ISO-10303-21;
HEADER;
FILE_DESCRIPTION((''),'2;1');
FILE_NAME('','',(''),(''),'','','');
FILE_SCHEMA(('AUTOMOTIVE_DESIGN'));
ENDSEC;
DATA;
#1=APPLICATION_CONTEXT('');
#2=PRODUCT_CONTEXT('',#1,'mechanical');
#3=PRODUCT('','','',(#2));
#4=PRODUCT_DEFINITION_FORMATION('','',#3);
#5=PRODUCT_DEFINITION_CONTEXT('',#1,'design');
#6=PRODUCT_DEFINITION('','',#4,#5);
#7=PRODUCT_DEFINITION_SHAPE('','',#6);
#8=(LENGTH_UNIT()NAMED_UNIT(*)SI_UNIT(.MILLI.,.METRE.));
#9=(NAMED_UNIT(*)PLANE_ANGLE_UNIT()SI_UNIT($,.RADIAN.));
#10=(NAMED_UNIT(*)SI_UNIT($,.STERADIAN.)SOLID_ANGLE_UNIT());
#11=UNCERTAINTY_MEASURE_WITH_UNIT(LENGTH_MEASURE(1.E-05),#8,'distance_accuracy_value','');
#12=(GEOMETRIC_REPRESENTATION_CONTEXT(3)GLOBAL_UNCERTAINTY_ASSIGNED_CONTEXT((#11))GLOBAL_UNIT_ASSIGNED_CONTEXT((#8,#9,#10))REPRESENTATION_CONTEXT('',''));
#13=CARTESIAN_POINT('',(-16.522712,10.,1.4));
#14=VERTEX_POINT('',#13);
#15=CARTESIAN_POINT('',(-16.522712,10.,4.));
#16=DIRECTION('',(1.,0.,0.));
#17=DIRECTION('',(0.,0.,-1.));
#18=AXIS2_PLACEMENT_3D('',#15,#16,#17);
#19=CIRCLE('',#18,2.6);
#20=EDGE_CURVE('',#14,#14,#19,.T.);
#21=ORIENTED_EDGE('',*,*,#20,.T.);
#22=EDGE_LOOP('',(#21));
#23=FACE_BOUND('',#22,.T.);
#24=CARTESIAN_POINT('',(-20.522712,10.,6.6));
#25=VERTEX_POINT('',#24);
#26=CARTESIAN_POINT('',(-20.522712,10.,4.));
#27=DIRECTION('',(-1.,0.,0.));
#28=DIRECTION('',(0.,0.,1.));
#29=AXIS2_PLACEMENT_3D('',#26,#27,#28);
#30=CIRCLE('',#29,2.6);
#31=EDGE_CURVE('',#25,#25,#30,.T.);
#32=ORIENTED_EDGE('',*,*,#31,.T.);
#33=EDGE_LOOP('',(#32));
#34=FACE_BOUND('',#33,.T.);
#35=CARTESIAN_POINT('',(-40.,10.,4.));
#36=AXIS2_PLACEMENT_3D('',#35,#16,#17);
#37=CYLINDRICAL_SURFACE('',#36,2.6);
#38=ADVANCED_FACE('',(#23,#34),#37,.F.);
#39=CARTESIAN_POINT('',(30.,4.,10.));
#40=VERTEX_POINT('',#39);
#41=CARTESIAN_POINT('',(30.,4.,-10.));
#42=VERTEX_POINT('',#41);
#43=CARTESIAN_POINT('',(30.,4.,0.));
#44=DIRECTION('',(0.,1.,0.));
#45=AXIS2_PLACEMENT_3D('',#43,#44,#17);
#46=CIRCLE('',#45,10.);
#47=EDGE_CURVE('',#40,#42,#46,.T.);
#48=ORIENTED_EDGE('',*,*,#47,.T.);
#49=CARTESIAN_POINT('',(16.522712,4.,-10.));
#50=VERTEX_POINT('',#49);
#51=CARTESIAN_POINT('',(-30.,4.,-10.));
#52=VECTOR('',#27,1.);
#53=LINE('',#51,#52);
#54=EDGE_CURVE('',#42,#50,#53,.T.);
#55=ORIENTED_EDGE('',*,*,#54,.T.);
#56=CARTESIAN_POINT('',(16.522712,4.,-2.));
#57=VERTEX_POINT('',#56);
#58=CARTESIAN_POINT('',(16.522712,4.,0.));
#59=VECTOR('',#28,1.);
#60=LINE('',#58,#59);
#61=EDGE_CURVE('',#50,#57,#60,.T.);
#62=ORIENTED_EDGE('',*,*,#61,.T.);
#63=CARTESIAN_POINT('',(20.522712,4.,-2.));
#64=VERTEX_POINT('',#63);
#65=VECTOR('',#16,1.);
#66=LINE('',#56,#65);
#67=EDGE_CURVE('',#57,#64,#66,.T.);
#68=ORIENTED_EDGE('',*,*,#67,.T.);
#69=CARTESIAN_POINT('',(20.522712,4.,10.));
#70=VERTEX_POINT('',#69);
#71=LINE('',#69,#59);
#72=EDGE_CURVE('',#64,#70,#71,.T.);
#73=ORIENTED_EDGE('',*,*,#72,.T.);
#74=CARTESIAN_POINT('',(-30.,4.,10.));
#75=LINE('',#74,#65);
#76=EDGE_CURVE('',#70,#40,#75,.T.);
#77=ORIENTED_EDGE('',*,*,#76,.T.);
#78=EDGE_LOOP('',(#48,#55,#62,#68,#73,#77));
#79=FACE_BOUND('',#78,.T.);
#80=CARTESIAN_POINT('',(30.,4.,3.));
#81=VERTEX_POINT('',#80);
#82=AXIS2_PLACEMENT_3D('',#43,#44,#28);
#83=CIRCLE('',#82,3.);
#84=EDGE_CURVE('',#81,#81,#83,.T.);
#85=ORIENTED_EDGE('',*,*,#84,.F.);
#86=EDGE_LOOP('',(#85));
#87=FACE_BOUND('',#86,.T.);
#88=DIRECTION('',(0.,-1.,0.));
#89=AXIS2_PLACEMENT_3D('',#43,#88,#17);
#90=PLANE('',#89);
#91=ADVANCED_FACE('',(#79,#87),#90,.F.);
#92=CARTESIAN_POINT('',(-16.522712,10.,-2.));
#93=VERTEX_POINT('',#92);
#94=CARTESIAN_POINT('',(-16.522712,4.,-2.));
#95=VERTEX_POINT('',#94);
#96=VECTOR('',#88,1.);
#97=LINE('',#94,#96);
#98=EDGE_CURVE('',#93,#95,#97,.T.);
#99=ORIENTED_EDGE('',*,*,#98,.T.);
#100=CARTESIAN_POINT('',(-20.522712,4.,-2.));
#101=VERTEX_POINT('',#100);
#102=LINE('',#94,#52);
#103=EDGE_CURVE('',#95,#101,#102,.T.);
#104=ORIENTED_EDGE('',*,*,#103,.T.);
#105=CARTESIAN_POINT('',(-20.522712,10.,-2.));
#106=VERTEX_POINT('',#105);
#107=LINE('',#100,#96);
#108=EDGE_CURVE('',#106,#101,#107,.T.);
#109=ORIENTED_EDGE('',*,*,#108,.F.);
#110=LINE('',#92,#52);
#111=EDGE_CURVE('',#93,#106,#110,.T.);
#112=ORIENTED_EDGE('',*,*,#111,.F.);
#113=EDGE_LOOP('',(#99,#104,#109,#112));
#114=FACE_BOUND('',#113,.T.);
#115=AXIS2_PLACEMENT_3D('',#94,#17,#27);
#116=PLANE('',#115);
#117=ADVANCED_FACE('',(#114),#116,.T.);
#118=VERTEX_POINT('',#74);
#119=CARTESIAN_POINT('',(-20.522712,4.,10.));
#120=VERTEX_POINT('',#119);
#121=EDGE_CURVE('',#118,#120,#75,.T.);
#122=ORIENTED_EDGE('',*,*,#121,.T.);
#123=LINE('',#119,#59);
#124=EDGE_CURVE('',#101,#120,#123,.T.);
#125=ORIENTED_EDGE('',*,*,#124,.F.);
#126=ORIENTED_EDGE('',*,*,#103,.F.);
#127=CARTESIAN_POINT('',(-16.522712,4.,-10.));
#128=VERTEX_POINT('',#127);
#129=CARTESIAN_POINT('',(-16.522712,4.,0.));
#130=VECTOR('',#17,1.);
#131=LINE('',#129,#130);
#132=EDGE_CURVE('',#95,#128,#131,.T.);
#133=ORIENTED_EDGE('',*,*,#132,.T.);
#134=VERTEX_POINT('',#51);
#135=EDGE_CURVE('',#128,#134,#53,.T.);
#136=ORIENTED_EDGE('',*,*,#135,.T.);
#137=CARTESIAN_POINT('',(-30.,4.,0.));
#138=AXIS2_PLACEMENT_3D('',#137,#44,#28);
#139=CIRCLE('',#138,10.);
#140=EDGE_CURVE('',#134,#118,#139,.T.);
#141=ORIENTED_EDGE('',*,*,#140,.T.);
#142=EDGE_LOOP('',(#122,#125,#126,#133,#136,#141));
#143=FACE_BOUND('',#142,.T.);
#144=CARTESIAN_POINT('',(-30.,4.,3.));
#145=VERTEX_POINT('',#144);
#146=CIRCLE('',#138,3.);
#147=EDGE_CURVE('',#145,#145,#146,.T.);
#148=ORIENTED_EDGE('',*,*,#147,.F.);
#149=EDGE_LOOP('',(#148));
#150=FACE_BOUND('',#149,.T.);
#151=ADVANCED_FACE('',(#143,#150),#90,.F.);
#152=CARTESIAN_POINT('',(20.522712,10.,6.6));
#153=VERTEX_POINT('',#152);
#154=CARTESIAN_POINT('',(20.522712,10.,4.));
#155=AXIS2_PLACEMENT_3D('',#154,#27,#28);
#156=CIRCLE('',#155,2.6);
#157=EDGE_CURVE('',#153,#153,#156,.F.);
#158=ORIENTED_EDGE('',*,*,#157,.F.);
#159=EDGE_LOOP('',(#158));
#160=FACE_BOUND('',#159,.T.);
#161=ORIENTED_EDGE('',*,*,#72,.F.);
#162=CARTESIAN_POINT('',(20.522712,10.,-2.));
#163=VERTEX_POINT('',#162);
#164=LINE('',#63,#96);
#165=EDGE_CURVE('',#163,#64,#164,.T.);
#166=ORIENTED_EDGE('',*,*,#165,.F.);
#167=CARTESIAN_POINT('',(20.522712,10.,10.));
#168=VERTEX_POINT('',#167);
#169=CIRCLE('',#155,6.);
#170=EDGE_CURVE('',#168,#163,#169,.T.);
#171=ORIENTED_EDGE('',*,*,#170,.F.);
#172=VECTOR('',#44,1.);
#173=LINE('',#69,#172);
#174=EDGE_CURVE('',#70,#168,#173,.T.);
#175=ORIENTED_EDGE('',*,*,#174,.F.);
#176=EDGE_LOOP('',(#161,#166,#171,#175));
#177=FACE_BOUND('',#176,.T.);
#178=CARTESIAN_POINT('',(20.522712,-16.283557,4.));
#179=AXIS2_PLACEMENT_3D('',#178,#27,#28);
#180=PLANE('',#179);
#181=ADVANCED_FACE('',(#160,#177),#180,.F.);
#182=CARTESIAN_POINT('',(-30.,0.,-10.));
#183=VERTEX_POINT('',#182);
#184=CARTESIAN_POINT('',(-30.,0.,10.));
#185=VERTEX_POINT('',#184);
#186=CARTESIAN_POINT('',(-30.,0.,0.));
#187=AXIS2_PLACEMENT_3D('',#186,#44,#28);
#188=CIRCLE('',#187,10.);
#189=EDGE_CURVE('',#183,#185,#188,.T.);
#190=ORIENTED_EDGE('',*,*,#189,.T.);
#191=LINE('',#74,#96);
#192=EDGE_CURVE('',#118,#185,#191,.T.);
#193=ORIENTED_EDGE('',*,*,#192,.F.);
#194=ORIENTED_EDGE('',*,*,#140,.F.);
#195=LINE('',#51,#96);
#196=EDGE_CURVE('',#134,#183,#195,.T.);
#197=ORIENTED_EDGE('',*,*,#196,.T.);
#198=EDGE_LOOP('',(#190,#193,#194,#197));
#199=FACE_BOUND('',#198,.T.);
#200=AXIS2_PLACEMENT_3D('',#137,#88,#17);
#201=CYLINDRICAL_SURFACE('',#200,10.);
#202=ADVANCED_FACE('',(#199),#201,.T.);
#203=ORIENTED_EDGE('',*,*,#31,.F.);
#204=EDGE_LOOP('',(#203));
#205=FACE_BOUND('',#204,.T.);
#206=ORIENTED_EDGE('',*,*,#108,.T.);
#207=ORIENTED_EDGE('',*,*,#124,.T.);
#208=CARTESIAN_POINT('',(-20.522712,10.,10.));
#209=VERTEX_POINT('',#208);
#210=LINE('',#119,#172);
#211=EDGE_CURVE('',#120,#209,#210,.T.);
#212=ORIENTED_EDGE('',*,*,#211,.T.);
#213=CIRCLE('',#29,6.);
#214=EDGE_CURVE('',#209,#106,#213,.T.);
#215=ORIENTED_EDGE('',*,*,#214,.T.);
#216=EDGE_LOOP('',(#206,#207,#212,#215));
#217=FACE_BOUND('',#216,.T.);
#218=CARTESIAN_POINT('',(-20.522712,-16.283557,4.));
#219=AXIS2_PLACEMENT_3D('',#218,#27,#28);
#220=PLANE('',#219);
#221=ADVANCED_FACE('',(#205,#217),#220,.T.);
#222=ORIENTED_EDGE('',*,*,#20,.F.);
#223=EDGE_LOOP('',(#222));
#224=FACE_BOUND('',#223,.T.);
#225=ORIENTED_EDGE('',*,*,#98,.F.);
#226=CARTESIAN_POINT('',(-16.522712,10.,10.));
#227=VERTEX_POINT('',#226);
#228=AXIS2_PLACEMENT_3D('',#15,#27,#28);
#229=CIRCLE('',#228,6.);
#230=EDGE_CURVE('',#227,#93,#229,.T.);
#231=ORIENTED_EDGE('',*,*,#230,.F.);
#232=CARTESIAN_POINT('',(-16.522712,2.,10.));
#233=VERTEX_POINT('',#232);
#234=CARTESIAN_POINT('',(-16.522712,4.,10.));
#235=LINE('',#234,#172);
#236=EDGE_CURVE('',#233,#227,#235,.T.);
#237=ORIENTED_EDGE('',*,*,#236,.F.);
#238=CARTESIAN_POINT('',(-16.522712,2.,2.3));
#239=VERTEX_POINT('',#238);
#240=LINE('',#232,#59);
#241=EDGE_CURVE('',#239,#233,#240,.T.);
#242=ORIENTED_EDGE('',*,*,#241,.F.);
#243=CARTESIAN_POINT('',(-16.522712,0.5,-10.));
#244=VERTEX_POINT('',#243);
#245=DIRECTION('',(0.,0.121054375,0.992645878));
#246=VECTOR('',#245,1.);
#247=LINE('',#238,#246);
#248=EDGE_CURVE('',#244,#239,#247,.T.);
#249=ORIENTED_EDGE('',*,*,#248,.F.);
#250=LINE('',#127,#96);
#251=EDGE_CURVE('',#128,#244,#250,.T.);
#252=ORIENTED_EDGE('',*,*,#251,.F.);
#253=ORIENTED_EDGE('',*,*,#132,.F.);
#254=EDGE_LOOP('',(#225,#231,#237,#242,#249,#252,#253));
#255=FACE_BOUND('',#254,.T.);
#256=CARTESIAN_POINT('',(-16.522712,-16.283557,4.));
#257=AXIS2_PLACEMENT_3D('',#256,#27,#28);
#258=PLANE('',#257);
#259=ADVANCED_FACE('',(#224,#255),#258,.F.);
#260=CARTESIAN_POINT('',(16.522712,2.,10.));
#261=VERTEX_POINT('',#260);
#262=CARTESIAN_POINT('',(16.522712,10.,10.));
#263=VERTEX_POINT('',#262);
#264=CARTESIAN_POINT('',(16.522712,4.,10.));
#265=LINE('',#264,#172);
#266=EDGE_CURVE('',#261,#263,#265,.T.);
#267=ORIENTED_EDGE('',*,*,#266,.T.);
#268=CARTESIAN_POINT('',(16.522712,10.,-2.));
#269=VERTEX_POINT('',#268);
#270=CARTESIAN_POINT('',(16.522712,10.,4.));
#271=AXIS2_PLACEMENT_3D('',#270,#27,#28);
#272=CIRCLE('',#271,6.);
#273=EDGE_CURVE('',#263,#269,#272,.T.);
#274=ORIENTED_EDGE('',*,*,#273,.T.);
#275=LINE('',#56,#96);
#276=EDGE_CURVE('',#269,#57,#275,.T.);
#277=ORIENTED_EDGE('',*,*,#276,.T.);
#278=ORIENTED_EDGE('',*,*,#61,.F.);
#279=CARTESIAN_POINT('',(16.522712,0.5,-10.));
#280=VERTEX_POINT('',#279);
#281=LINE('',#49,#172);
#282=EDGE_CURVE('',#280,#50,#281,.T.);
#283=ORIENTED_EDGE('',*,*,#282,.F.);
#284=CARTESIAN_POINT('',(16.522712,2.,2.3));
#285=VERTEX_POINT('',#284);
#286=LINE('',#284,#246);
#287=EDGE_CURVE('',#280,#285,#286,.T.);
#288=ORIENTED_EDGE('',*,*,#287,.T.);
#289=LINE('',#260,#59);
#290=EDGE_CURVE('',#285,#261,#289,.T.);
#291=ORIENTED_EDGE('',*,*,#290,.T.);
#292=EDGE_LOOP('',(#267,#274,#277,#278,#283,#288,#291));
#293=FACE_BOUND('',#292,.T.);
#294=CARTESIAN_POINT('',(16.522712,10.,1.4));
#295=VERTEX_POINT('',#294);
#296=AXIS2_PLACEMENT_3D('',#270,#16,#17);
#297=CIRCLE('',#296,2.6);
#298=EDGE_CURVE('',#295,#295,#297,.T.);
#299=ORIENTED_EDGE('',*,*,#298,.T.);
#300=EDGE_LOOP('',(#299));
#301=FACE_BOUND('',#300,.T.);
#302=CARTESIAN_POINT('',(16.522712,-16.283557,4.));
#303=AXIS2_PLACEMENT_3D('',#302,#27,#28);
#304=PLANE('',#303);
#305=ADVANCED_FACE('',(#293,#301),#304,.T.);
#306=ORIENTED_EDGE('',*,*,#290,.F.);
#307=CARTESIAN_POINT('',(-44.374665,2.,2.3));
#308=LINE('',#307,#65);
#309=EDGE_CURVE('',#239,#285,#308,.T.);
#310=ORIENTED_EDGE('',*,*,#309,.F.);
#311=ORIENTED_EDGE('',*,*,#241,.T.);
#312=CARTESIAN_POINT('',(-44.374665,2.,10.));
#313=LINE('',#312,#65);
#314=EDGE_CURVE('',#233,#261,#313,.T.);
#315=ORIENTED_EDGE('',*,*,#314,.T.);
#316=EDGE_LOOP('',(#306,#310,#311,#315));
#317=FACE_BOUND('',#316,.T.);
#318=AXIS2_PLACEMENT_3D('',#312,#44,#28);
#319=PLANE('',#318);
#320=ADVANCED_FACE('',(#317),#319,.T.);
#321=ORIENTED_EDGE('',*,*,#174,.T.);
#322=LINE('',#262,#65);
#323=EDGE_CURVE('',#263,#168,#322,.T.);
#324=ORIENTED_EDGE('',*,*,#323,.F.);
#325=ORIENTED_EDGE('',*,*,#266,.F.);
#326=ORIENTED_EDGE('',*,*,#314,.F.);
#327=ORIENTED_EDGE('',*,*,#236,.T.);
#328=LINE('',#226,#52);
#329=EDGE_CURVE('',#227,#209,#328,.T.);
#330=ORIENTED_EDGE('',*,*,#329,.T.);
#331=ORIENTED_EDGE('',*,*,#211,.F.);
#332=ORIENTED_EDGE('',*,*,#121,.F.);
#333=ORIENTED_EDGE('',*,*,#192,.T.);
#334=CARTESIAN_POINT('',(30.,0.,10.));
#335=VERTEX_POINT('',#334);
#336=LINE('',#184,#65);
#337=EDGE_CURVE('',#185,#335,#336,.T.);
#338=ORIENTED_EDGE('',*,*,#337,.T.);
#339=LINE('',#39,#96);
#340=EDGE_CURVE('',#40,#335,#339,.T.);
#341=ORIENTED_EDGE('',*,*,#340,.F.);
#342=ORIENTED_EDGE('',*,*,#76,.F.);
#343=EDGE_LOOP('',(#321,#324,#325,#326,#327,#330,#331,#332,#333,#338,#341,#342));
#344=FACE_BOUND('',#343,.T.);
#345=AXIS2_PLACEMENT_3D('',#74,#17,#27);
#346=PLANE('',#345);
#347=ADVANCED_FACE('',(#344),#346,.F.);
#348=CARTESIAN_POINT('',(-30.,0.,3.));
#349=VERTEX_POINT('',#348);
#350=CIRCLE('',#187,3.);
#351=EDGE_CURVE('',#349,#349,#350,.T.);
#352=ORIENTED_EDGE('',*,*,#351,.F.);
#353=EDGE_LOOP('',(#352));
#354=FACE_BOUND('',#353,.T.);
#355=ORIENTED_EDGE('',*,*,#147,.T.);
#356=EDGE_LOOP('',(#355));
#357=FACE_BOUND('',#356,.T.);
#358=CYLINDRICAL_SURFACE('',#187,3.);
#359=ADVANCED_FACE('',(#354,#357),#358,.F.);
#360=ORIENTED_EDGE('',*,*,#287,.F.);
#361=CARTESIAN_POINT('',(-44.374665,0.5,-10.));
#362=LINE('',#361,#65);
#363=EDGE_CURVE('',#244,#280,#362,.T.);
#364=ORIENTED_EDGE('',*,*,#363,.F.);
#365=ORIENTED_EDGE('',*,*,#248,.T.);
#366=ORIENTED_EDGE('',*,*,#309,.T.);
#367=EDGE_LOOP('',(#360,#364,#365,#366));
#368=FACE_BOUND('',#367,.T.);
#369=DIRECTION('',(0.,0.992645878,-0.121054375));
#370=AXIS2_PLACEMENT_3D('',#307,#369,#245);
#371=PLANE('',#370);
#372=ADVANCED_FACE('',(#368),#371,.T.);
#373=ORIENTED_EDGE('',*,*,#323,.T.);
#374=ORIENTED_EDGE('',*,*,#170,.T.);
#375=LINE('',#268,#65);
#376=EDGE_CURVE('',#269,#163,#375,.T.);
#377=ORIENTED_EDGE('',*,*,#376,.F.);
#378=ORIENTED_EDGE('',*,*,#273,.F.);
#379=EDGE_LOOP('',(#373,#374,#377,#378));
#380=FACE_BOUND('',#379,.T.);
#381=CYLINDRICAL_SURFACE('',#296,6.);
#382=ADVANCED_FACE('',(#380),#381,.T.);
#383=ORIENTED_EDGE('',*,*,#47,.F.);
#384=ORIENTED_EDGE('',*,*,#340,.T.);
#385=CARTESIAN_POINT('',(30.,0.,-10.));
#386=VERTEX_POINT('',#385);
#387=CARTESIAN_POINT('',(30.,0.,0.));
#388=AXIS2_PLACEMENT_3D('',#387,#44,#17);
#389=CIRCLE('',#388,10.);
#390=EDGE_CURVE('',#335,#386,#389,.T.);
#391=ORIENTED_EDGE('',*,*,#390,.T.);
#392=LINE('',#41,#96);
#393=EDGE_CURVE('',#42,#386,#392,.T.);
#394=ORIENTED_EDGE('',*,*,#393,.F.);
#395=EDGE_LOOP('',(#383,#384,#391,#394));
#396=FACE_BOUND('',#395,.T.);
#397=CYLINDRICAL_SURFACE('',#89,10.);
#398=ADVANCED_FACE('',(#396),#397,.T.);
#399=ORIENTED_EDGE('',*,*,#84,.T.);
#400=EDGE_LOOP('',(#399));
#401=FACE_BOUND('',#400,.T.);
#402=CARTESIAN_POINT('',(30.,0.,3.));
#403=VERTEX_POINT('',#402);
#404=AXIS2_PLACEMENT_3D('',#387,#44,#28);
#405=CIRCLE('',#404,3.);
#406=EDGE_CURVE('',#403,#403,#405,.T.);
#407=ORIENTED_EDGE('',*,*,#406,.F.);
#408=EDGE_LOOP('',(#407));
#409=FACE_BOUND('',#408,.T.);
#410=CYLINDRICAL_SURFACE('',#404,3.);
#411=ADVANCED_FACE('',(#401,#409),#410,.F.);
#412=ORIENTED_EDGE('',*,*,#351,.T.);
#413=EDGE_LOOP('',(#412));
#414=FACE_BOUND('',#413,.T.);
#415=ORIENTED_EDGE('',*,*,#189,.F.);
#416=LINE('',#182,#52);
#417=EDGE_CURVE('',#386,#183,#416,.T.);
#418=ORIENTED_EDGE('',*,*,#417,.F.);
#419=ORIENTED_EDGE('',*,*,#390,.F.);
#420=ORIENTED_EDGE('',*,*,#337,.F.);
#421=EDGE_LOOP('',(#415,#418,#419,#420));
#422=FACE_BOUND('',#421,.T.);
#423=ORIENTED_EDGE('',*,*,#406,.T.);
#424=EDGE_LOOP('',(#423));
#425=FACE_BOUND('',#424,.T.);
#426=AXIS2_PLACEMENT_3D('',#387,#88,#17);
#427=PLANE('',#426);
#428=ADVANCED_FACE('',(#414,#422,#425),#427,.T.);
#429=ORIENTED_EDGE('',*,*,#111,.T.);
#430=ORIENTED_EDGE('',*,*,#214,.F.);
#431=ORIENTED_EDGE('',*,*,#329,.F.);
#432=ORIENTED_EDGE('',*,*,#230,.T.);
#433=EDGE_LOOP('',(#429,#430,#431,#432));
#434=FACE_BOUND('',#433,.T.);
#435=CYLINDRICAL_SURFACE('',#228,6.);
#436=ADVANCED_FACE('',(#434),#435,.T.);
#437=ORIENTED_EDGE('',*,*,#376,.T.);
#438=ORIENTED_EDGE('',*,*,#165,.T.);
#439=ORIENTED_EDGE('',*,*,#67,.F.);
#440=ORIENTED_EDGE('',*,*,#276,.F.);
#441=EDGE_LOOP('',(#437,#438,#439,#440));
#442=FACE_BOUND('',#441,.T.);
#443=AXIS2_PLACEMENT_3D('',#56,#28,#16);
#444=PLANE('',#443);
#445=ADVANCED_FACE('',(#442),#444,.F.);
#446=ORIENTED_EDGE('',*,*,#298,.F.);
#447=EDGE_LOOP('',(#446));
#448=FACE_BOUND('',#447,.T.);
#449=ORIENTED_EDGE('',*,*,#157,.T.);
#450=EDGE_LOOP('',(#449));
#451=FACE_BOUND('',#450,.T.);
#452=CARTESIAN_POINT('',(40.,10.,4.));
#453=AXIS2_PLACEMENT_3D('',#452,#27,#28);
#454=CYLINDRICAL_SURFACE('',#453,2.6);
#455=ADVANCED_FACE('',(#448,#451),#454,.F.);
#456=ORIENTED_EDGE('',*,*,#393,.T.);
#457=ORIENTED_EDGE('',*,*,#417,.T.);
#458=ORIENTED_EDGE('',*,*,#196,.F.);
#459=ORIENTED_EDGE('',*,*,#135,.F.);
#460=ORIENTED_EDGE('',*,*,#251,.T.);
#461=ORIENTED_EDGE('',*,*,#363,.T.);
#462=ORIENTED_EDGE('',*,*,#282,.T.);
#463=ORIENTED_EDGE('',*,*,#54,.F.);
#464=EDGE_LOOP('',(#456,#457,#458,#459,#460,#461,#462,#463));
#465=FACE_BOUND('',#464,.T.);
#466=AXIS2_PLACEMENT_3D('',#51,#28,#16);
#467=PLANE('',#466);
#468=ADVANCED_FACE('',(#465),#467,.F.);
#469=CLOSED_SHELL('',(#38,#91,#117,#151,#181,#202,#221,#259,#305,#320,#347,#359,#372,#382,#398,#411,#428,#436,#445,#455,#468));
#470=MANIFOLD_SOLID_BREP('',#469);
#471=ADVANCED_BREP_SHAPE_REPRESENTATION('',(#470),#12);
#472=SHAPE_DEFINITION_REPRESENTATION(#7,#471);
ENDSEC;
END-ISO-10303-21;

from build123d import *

# Parameters (mm, degrees)
BOSS_EXTRUDE1_DEPTH = 4
SKETCH2_R           = 3
CUT_EXTRUDE1_DEPTH  = 42.424630354
BOSS_EXTRUDE2_DEPTH = 4
SKETCH3_R           = 2.6
CUT_EXTRUDE2_DEPTH  = 60.58873158
SKETCH4_OUTSIDE_W   = 38.8
SKETCH4_OUTSIDE_H   = 34.8
CUT_EXTRUDE3_DEPTH  = 16.522711642


with BuildPart() as part:
    # Sketch1 → Boss-Extrude1 (new body)
    with BuildSketch(Plane(origin=(0, 0, 0), x_dir=(1, 0, 0), z_dir=(0, 1, 0))):
        with BuildLine():
            Line((-30, 10), (30, 10))
            ThreePointArc((30, 10), (40, 0), (30, -10))
            Line((30, -10), (-30, -10))
            ThreePointArc((-30, -10), (-40, 0), (-30, 10))
        make_face()
    extrude(amount=BOSS_EXTRUDE1_DEPTH)

    # Sketch2 → Cut-Extrude1 (cut, through all)
    with BuildSketch(Plane(origin=(0, 4, 0), x_dir=(1, 0, 0), z_dir=(0, 1, 0))):
        with Locations(Location((-30, 0, 0), (0, 0, 270))):
            Circle(SKETCH2_R)
        with Locations(Location((30, 0, 0), (0, 0, 270))):
            Circle(SKETCH2_R)
    extrude(amount=-CUT_EXTRUDE1_DEPTH, mode=Mode.SUBTRACT)

    # 3DSketch1 → Boss-Extrude2 (add)
    with BuildSketch(Plane(origin=(-16.522711642, 4, 10), x_dir=(0, 0.447213595499958, -0.894427190999916), z_dir=(-1, 0, 0))):
        with BuildLine():
            Line((0, 0), (10.733126292, 5.366563146))
            Line((10.733126292, 5.366563146), (13.416407865, 0))
            ThreePointArc((13.416407865, 0), (10.733126292, -8.049844719), (2.683281573, -5.366563146))
            Line((2.683281573, -5.366563146), (0, 0))
        make_face()
    boss_extrude2 = extrude(amount=BOSS_EXTRUDE2_DEPTH)

    # Sketch3 → Cut-Extrude2 (cut, through all)
    with BuildSketch(Plane(origin=(-16.522711642, 0, 0), x_dir=(0, 0, -1), z_dir=(1, 0, 0))):
        with Locations((-4, 10)):
            Circle(SKETCH3_R)
    cut_extrude2 = extrude(amount=-CUT_EXTRUDE2_DEPTH, mode=Mode.SUBTRACT)

    # Sketch4 outside → Cut-Extrude3 (cut)
    with BuildSketch(Plane(origin=(0, 0, 0), x_dir=(0, 0, -1), z_dir=(1, 0, 0))):
        with Locations((0, 8)):
            Rectangle(SKETCH4_OUTSIDE_W, SKETCH4_OUTSIDE_H)
        Polygon((-10, 2), (-2.3, 2), (10, 0.5), (10, 0), (-10, 0), align=None, mode=Mode.SUBTRACT)
    cut_extrude3 = extrude(amount=-CUT_EXTRUDE3_DEPTH, mode=Mode.SUBTRACT)

    # Mirror1: Boss-Extrude2, Cut-Extrude2, Cut-Extrude3 across plane
    add(boss_extrude2.mirror(Plane(origin=(0, 0, 0), x_dir=(0, 0, 1), z_dir=(1, 0, 0))))
    add(cut_extrude2.mirror(Plane(origin=(0, 0, 0), x_dir=(0, 0, 1), z_dir=(1, 0, 0))), mode=Mode.SUBTRACT)
    add(cut_extrude3.mirror(Plane(origin=(0, 0, 0), x_dir=(0, 0, 1), z_dir=(1, 0, 0))), mode=Mode.SUBTRACT)


solid = part.part
